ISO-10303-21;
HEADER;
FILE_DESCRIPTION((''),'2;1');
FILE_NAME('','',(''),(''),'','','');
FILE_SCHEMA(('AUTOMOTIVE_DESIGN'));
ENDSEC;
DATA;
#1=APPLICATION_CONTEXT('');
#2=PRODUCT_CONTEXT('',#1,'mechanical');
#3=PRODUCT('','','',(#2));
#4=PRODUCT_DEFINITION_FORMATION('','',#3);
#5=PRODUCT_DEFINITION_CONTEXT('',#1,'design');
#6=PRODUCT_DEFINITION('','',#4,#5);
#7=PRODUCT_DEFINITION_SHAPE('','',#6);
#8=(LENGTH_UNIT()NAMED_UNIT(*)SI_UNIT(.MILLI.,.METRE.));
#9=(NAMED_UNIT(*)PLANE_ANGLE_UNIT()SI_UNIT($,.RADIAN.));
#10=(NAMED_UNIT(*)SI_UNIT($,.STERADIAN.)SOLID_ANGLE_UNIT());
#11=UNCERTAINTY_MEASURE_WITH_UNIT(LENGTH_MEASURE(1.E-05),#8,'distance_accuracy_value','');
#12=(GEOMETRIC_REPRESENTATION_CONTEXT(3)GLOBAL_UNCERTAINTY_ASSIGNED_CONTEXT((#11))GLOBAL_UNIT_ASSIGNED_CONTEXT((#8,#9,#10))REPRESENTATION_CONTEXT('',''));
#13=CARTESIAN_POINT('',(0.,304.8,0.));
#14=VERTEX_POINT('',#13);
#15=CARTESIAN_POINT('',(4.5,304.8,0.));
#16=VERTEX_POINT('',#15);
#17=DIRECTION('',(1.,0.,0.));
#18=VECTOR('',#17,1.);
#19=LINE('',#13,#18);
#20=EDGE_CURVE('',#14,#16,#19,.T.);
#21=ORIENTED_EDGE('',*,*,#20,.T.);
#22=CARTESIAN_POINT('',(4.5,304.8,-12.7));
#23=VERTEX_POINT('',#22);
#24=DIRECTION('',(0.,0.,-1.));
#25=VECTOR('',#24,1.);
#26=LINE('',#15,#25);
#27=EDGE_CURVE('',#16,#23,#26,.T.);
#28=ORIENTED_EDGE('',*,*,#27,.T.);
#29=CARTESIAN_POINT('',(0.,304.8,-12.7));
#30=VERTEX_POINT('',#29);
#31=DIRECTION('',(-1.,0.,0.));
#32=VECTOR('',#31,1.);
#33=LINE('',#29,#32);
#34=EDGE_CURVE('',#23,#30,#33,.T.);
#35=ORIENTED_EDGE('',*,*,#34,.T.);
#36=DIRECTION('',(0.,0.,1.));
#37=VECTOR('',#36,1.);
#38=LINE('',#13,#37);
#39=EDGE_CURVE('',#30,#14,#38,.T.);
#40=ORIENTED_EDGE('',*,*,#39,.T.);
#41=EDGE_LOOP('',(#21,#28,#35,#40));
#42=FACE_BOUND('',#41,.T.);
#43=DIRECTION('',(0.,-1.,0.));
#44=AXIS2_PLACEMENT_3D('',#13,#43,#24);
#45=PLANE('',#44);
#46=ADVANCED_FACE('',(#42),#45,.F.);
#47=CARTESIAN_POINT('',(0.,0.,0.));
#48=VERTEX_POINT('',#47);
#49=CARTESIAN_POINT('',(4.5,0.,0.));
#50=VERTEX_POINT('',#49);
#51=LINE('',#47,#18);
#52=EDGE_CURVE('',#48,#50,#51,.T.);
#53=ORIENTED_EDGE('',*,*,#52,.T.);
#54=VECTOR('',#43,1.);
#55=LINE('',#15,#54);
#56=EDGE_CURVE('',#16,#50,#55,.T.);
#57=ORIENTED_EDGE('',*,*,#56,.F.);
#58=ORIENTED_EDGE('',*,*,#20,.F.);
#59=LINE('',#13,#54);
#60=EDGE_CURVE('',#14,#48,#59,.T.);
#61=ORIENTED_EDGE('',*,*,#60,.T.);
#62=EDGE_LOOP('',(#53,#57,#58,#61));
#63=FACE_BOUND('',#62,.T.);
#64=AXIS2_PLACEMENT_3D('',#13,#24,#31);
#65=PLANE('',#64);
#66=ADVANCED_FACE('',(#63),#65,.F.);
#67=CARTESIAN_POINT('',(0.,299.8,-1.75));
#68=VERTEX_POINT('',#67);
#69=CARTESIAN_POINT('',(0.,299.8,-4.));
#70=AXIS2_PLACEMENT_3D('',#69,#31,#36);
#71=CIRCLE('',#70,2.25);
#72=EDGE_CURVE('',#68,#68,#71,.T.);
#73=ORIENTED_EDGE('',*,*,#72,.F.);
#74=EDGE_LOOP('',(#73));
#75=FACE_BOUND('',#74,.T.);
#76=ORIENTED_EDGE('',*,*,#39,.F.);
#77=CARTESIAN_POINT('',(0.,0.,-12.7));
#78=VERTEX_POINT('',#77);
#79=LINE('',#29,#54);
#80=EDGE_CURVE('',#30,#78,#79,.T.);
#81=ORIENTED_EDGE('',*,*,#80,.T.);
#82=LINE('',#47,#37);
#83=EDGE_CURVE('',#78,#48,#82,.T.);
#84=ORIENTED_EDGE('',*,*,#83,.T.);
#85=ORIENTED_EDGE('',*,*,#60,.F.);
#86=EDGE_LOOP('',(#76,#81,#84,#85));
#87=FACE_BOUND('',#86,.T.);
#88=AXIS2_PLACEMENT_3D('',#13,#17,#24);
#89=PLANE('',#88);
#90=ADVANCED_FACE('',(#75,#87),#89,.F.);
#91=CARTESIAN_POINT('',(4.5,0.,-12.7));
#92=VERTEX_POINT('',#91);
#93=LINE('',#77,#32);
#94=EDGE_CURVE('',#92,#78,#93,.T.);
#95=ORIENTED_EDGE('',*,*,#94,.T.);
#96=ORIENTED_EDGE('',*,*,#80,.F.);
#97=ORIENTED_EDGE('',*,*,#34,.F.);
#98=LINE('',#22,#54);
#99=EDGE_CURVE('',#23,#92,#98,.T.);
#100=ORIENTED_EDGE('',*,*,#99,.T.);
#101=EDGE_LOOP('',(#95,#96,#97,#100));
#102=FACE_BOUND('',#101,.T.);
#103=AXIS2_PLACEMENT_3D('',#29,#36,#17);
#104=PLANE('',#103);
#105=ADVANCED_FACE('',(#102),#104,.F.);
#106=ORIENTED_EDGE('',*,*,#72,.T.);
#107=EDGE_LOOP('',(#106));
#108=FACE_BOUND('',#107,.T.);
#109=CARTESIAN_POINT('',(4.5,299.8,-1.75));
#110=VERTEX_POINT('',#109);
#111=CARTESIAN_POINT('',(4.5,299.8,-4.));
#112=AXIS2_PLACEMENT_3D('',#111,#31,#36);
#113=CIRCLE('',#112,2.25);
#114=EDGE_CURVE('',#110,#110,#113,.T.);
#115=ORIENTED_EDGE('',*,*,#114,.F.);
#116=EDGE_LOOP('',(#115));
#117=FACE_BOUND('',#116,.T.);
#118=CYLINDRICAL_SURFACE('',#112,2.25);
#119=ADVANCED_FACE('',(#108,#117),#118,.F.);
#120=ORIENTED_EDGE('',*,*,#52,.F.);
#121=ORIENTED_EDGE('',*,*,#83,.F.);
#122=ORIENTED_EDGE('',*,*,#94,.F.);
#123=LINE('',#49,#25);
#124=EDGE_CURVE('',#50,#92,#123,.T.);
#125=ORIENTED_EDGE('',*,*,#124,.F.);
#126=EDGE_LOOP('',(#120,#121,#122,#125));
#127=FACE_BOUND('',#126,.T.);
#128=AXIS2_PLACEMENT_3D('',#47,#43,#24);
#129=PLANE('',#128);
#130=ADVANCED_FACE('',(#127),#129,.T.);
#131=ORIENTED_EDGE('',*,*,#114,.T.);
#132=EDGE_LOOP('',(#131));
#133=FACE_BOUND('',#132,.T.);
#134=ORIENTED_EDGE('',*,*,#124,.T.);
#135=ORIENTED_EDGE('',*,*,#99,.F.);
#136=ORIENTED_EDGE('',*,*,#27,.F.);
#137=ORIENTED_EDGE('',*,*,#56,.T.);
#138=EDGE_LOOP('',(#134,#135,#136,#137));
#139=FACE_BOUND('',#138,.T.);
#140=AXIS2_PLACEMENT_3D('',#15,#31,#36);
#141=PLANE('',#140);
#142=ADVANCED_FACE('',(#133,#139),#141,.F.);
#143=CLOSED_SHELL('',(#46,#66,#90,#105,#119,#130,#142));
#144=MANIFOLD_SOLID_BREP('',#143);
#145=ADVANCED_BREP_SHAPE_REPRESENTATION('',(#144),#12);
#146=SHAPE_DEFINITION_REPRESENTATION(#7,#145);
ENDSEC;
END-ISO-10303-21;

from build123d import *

# Parameters (mm, degrees)
SKETCH1_W           = 4.5
SKETCH1_H           = 12.7
BOSS_EXTRUDE1_DEPTH = 304.8
SKETCH3_R           = 2.25
CUT_EXTRUDE1_DEPTH  = 306.097656497


with BuildPart() as part:
    # Sketch1 → Boss-Extrude1 (new body)
    with BuildSketch(Plane(origin=(0, 0, 0), x_dir=(1, 0, 0), z_dir=(0, 1, 0))):
        with Locations((2.25, 6.35)):
            Rectangle(SKETCH1_W, SKETCH1_H)
    extrude(amount=BOSS_EXTRUDE1_DEPTH)

    # Sketch3 → Cut-Extrude1 (cut, through all)
    with BuildSketch(Plane.ZY):
        with Locations((-4, 299.8)):
            Circle(SKETCH3_R)
    extrude(amount=-CUT_EXTRUDE1_DEPTH, mode=Mode.SUBTRACT)


solid = part.part
